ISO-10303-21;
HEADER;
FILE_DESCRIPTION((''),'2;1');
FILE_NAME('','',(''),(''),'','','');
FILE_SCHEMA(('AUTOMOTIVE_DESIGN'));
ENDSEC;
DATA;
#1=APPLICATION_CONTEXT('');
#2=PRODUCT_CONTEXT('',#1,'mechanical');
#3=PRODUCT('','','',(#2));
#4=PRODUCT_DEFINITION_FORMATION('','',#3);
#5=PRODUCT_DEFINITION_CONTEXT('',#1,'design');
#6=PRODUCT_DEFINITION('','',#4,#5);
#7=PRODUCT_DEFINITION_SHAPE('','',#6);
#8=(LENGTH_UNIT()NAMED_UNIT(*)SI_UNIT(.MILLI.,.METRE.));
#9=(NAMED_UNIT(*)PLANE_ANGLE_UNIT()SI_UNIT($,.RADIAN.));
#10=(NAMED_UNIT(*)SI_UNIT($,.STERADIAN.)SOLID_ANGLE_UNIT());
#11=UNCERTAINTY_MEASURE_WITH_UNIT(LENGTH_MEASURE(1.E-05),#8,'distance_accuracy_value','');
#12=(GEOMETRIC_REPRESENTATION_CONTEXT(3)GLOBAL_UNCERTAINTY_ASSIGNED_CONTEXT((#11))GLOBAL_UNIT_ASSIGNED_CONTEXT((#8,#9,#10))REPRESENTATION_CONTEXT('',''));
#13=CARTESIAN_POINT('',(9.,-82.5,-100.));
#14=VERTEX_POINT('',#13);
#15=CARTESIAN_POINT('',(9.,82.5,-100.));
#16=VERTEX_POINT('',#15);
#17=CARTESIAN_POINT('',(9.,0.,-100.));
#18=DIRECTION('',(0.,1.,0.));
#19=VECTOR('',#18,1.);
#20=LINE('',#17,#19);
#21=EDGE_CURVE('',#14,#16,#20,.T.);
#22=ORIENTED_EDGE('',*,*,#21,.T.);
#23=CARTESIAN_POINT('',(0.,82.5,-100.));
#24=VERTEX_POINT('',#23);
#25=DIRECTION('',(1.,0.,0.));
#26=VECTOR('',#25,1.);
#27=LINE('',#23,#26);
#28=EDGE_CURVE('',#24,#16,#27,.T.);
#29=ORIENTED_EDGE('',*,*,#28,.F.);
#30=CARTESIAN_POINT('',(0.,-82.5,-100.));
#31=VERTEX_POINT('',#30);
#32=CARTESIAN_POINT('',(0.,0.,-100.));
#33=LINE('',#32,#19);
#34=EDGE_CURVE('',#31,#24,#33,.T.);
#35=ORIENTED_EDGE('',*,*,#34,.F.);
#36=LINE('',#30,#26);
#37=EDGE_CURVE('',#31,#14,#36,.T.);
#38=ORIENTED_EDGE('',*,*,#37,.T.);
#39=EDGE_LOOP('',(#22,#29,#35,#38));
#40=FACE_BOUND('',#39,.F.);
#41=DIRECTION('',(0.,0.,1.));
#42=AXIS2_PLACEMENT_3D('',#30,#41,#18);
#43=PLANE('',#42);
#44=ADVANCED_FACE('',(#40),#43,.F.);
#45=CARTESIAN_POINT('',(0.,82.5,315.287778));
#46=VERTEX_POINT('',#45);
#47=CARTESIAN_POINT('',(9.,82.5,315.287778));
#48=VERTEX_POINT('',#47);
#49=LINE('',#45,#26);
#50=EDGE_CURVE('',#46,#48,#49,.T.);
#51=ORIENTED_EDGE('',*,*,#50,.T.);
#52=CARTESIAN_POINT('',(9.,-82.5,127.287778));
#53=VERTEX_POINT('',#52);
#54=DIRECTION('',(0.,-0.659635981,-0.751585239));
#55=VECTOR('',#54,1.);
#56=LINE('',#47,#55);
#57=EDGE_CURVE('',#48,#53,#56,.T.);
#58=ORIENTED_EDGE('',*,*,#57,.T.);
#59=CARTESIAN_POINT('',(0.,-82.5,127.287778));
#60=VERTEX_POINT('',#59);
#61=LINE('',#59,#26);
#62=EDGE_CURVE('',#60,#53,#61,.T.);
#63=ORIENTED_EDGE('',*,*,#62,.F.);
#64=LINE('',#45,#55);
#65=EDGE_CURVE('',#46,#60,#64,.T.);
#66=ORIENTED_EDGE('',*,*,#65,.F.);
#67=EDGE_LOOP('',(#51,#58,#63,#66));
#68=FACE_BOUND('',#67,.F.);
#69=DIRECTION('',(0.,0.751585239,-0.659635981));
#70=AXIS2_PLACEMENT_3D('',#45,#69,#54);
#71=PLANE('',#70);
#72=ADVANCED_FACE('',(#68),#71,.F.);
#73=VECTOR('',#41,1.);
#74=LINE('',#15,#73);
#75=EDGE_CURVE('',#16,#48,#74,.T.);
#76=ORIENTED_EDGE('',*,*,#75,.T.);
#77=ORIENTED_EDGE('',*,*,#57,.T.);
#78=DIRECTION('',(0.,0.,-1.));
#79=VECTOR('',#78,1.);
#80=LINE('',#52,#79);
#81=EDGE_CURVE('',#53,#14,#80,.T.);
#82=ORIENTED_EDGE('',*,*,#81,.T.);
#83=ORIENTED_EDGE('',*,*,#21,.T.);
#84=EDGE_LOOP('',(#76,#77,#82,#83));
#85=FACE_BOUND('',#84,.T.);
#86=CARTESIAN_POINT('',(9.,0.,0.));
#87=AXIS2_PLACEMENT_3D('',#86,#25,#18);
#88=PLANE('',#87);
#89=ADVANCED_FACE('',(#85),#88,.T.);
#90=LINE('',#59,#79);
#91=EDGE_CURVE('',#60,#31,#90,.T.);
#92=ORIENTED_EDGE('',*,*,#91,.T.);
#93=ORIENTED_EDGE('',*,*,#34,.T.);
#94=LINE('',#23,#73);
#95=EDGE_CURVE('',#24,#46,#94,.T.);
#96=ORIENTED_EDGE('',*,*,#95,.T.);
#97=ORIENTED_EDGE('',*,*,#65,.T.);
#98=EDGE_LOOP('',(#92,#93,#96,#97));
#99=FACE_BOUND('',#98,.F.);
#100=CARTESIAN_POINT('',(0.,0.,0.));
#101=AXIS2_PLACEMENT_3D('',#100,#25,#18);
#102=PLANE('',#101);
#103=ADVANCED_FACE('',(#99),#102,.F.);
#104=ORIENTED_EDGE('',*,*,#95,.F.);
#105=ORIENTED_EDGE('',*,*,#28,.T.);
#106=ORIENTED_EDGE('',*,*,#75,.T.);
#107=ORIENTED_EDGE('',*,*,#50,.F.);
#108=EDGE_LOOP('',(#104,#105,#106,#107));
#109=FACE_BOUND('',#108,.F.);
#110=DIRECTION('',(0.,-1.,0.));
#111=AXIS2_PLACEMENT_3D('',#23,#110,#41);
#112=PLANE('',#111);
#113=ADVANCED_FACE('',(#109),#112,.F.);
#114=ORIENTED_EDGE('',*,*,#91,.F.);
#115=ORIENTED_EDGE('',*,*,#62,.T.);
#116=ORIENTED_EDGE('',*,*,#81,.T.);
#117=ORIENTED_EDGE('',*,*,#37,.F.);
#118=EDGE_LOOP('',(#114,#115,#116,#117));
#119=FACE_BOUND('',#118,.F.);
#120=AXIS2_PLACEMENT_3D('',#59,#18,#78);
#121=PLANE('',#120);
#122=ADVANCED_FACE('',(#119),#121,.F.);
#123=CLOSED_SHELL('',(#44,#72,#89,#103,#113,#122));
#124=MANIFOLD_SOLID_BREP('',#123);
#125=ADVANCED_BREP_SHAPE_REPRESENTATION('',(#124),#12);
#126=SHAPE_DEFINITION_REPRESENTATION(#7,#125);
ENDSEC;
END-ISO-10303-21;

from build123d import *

# Parameters (mm, degrees)
F0_W     = 165
F0_H     = 200
F1_DEPTH = 9


with BuildPart() as f1:
    # F0 (on Right) → F1 (new body)
    with BuildSketch(Plane.YZ):
        Rectangle(F0_W, F0_H)
        Polygon((-82.5, 100), (82.5, 100), (82.5, 288), align=None)
        Polygon((-82.5, 127.287778), (-82.5, 100), (82.5, 288), (82.5, 315.287778), align=None)
    extrude(amount=F1_DEPTH)


solid = f1.part
